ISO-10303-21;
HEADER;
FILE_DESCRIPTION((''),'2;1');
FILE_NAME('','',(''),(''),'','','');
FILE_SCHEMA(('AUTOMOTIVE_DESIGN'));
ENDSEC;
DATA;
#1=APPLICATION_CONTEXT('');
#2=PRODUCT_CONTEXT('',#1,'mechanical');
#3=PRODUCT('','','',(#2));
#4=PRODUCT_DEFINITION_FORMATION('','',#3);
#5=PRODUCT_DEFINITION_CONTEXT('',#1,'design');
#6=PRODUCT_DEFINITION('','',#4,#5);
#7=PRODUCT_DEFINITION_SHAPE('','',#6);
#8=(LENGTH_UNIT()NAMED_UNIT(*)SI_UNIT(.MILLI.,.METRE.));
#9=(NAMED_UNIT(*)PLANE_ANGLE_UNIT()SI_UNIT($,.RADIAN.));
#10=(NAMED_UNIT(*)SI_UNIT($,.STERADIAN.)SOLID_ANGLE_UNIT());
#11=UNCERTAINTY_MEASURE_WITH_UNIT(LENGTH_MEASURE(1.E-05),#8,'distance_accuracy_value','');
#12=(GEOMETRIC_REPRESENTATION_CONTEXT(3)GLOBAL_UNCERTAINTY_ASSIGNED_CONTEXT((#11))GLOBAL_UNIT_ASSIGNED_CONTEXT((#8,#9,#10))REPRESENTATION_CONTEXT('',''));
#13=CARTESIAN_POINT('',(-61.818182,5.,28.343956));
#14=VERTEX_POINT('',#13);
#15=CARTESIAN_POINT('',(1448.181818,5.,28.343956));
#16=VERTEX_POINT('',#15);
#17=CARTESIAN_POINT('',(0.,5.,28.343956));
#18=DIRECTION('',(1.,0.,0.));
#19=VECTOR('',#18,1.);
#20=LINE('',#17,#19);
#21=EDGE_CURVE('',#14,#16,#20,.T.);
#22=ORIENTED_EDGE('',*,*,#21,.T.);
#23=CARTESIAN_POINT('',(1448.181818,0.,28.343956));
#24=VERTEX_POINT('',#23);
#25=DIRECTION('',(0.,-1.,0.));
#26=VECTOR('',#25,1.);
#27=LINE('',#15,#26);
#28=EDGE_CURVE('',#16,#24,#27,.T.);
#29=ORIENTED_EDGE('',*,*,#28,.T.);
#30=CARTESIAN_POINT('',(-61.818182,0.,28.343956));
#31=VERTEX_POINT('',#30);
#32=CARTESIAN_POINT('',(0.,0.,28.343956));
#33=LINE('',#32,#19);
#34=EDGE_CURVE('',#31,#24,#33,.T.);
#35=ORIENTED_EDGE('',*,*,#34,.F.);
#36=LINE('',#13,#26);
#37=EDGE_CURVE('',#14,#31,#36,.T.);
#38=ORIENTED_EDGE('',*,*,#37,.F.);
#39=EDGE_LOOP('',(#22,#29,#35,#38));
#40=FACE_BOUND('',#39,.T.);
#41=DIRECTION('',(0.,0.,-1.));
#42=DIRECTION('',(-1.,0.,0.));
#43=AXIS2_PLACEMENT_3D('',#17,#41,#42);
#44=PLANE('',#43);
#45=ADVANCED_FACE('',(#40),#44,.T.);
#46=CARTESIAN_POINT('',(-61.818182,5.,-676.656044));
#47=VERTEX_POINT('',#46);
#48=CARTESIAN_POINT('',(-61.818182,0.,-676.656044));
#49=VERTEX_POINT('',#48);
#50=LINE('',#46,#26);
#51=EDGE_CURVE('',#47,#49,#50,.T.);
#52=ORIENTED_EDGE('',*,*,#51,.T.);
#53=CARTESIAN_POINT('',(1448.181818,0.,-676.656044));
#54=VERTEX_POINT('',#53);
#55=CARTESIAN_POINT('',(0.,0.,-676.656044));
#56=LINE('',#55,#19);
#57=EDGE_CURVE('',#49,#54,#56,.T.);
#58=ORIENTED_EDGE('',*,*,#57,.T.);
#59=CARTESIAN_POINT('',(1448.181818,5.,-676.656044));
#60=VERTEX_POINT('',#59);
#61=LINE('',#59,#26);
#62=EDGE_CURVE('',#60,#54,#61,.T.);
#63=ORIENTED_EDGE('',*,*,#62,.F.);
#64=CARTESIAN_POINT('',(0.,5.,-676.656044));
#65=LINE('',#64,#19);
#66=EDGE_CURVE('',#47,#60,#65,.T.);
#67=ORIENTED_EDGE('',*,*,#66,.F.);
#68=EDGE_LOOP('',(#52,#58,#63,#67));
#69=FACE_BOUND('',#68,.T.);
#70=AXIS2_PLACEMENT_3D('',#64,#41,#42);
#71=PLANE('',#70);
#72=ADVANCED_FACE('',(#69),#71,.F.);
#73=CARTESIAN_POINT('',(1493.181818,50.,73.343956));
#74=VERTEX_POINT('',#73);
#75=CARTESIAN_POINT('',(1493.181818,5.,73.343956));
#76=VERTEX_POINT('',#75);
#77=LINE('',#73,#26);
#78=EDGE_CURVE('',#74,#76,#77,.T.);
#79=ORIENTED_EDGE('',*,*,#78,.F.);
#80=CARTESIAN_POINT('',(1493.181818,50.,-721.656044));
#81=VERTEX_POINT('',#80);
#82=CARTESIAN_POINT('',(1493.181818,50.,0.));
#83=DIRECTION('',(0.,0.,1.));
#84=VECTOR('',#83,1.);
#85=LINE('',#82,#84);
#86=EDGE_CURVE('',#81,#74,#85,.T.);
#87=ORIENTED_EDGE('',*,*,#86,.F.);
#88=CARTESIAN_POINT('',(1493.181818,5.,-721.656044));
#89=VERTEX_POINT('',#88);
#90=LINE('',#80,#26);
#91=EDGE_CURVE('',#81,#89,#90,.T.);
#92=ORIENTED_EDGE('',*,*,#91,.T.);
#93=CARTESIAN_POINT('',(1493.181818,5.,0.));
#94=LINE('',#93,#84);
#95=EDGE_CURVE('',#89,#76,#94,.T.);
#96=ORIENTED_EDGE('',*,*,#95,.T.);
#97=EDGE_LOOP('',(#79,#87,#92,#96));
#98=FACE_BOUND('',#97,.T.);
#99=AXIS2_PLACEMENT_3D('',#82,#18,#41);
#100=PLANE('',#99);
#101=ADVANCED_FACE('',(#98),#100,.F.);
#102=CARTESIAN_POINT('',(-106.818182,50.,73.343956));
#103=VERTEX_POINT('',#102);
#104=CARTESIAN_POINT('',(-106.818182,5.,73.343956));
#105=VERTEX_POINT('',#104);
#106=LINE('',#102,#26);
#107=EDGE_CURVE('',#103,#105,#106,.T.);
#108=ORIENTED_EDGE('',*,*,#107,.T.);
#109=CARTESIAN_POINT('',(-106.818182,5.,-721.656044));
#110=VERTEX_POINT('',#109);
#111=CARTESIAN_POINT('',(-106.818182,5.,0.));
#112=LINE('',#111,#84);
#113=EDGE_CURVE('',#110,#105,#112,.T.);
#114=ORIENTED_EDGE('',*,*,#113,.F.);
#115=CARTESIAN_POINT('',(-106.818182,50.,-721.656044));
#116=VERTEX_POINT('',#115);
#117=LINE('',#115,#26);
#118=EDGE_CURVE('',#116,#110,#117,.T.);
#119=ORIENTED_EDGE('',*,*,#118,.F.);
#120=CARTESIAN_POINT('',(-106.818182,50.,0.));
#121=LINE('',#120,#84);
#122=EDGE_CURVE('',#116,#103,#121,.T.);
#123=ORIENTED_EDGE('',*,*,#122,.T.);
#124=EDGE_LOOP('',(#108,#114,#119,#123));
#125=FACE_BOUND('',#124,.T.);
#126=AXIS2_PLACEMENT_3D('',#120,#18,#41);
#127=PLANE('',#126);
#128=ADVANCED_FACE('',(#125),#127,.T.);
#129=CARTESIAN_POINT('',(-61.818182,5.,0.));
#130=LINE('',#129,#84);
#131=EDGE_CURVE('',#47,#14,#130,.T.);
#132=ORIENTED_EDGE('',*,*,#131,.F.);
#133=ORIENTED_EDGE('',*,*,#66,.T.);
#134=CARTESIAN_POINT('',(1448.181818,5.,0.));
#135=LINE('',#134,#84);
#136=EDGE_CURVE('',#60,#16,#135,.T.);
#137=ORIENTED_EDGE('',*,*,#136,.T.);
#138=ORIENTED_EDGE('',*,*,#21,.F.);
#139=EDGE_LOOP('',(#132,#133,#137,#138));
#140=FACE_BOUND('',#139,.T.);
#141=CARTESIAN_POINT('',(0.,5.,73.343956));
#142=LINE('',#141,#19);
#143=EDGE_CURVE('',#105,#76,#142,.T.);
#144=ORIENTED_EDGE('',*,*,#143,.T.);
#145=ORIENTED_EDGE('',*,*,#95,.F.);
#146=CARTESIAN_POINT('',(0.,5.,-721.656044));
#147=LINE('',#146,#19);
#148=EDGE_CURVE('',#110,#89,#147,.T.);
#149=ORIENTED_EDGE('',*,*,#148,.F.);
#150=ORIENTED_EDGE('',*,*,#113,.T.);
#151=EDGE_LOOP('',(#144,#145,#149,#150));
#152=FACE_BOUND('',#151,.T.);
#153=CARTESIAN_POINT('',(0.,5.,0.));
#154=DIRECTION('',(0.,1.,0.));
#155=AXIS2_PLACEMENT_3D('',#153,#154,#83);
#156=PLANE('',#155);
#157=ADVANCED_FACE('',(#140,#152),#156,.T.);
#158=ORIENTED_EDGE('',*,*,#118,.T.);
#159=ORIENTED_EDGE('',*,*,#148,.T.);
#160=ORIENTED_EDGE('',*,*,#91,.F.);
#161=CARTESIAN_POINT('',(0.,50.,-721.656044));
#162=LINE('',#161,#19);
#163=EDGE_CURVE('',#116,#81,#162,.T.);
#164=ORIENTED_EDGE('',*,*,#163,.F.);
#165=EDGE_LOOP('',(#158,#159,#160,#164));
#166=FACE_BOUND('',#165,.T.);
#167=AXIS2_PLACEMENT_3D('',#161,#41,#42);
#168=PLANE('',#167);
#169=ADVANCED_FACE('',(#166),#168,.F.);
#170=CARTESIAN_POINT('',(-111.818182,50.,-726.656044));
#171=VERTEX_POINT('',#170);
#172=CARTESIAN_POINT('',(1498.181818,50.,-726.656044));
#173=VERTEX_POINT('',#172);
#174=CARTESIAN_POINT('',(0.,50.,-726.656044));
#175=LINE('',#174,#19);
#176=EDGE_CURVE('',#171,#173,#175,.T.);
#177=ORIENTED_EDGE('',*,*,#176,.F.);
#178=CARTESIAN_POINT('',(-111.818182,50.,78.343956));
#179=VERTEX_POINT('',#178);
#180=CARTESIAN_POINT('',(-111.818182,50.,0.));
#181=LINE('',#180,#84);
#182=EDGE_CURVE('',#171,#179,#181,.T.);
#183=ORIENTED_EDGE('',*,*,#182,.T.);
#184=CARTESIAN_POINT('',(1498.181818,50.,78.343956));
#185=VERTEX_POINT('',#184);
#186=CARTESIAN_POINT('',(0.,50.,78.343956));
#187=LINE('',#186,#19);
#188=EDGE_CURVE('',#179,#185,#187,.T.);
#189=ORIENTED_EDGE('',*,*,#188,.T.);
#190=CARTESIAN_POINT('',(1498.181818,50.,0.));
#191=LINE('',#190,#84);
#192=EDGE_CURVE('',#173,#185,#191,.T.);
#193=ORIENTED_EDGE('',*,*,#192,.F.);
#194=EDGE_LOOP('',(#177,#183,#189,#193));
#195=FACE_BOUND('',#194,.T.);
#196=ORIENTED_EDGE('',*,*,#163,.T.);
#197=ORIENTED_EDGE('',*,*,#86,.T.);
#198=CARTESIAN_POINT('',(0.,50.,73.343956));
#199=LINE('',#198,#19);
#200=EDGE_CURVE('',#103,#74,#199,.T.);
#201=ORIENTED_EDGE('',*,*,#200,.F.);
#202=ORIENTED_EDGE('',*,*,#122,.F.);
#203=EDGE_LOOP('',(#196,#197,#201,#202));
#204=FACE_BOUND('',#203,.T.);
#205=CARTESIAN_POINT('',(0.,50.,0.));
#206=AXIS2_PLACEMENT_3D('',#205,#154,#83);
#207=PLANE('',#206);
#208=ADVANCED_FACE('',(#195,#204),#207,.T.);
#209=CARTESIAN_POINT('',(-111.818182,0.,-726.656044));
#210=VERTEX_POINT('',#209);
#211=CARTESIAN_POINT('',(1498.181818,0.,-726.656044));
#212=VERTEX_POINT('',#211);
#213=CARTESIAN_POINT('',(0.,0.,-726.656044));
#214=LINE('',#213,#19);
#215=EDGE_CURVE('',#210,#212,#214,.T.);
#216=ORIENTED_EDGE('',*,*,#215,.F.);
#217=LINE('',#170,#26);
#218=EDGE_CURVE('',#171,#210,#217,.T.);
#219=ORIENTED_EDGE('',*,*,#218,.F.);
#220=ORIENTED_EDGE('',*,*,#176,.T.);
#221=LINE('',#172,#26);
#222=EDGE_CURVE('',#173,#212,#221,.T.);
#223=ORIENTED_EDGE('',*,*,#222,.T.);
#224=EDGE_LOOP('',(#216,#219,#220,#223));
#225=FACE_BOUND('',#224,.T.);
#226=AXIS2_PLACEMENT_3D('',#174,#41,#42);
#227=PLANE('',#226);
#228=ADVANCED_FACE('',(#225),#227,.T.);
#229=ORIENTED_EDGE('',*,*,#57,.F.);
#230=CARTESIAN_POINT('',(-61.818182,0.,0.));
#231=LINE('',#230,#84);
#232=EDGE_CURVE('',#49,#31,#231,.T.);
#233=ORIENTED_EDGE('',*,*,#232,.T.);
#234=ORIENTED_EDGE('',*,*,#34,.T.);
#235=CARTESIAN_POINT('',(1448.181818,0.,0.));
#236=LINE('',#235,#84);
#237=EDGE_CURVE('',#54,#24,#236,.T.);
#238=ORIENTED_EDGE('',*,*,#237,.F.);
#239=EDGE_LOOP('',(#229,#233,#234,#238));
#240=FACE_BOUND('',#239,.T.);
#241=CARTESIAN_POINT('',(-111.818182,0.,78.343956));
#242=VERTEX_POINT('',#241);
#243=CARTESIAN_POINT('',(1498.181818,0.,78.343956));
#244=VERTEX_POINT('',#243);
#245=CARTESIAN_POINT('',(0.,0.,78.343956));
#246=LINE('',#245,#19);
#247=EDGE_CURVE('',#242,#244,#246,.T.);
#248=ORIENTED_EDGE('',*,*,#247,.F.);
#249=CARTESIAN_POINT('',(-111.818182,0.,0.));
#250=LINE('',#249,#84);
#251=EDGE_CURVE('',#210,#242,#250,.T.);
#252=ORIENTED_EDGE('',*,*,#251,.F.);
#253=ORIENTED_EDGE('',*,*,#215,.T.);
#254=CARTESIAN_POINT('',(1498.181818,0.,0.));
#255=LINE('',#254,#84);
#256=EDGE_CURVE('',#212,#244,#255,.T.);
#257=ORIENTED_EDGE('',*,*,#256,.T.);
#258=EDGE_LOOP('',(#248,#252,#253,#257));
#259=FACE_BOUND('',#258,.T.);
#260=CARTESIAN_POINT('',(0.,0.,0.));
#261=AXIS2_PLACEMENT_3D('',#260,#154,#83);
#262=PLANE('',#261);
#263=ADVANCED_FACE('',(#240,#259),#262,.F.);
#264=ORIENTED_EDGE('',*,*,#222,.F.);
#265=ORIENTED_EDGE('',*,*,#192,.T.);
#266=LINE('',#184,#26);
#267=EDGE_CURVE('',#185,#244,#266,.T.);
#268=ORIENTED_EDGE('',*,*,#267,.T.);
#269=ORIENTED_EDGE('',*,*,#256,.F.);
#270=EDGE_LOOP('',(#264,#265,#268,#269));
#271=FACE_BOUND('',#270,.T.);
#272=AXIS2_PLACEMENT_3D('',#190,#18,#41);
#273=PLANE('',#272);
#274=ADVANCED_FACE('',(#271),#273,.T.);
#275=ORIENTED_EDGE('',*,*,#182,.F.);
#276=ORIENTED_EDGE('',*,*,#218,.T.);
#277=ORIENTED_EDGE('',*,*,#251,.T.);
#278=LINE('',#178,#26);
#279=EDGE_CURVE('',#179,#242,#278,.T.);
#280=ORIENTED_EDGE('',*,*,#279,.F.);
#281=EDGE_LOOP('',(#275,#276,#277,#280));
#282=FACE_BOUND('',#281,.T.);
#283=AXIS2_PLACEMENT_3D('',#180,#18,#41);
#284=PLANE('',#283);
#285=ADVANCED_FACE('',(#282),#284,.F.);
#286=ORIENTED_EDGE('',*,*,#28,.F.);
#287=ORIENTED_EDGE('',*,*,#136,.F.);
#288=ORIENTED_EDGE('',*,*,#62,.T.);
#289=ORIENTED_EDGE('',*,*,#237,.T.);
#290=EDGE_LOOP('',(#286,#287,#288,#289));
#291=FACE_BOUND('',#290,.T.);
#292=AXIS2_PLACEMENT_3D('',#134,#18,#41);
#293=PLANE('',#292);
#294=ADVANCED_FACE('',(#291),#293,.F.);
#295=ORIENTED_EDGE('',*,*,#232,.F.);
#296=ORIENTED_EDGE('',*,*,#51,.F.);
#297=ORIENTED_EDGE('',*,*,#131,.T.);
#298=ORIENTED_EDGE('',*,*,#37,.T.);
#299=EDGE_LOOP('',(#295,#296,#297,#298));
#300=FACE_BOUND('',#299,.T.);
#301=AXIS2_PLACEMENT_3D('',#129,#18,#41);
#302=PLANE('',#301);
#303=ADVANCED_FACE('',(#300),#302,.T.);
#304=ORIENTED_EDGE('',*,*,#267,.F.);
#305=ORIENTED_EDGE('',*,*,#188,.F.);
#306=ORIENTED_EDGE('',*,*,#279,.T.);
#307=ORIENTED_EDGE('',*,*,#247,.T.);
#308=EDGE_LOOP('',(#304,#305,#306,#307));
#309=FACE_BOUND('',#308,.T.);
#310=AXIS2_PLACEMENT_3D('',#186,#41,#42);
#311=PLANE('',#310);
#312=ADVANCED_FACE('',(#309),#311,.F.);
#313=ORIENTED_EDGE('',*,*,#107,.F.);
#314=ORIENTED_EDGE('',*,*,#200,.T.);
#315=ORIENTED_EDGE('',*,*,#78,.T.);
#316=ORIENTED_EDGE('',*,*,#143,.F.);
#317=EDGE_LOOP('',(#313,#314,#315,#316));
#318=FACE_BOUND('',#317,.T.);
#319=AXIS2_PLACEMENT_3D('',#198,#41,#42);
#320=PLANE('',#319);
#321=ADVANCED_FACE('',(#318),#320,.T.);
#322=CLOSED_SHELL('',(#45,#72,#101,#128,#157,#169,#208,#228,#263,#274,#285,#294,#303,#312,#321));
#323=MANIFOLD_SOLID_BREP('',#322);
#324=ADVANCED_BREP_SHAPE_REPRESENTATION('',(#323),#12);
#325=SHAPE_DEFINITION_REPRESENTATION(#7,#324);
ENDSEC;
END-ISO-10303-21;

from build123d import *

# Parameters (mm, degrees)
SKETCH_1_W      = 1610
SKETCH_1_H      = 805
SKETCH_1_W_2    = 1600
SKETCH_1_H_2    = 795
EXTRUDE_1_DEPTH = 50
SKETCH_1_7_W    = 1600
SKETCH_1_7_H    = 795
SKETCH_1_7_W_2  = 1510
SKETCH_1_7_H_2  = 705
EXTRUDE_2_DEPTH = 5


with BuildPart() as part:
    # Эскиз1 → Бобышка-Вытянуть1 (new body)
    with BuildSketch(Plane(origin=(0, 0, 0), x_dir=(1, 0, 0), z_dir=(0, 1, 0))):
        with Locations((693.181818182, 324.156044294)):
            Rectangle(SKETCH_1_W, SKETCH_1_H)
        with Locations((693.181818182, 324.156044294)):
            Rectangle(SKETCH_1_W_2, SKETCH_1_H_2, mode=Mode.SUBTRACT)
    extrude(amount=EXTRUDE_1_DEPTH)

    # Эскиз1<7> → Бобышка-Вытянуть2 (add)
    with BuildSketch(Plane(origin=(0, 0, 0), x_dir=(1, 0, 0), z_dir=(0, 1, 0))):
        with Locations((693.181818182, 324.156044294)):
            Rectangle(SKETCH_1_7_W, SKETCH_1_7_H)
        with Locations((693.181818182, 324.156044294)):
            Rectangle(SKETCH_1_7_W_2, SKETCH_1_7_H_2, mode=Mode.SUBTRACT)
    extrude(amount=EXTRUDE_2_DEPTH)


solid = part.part
